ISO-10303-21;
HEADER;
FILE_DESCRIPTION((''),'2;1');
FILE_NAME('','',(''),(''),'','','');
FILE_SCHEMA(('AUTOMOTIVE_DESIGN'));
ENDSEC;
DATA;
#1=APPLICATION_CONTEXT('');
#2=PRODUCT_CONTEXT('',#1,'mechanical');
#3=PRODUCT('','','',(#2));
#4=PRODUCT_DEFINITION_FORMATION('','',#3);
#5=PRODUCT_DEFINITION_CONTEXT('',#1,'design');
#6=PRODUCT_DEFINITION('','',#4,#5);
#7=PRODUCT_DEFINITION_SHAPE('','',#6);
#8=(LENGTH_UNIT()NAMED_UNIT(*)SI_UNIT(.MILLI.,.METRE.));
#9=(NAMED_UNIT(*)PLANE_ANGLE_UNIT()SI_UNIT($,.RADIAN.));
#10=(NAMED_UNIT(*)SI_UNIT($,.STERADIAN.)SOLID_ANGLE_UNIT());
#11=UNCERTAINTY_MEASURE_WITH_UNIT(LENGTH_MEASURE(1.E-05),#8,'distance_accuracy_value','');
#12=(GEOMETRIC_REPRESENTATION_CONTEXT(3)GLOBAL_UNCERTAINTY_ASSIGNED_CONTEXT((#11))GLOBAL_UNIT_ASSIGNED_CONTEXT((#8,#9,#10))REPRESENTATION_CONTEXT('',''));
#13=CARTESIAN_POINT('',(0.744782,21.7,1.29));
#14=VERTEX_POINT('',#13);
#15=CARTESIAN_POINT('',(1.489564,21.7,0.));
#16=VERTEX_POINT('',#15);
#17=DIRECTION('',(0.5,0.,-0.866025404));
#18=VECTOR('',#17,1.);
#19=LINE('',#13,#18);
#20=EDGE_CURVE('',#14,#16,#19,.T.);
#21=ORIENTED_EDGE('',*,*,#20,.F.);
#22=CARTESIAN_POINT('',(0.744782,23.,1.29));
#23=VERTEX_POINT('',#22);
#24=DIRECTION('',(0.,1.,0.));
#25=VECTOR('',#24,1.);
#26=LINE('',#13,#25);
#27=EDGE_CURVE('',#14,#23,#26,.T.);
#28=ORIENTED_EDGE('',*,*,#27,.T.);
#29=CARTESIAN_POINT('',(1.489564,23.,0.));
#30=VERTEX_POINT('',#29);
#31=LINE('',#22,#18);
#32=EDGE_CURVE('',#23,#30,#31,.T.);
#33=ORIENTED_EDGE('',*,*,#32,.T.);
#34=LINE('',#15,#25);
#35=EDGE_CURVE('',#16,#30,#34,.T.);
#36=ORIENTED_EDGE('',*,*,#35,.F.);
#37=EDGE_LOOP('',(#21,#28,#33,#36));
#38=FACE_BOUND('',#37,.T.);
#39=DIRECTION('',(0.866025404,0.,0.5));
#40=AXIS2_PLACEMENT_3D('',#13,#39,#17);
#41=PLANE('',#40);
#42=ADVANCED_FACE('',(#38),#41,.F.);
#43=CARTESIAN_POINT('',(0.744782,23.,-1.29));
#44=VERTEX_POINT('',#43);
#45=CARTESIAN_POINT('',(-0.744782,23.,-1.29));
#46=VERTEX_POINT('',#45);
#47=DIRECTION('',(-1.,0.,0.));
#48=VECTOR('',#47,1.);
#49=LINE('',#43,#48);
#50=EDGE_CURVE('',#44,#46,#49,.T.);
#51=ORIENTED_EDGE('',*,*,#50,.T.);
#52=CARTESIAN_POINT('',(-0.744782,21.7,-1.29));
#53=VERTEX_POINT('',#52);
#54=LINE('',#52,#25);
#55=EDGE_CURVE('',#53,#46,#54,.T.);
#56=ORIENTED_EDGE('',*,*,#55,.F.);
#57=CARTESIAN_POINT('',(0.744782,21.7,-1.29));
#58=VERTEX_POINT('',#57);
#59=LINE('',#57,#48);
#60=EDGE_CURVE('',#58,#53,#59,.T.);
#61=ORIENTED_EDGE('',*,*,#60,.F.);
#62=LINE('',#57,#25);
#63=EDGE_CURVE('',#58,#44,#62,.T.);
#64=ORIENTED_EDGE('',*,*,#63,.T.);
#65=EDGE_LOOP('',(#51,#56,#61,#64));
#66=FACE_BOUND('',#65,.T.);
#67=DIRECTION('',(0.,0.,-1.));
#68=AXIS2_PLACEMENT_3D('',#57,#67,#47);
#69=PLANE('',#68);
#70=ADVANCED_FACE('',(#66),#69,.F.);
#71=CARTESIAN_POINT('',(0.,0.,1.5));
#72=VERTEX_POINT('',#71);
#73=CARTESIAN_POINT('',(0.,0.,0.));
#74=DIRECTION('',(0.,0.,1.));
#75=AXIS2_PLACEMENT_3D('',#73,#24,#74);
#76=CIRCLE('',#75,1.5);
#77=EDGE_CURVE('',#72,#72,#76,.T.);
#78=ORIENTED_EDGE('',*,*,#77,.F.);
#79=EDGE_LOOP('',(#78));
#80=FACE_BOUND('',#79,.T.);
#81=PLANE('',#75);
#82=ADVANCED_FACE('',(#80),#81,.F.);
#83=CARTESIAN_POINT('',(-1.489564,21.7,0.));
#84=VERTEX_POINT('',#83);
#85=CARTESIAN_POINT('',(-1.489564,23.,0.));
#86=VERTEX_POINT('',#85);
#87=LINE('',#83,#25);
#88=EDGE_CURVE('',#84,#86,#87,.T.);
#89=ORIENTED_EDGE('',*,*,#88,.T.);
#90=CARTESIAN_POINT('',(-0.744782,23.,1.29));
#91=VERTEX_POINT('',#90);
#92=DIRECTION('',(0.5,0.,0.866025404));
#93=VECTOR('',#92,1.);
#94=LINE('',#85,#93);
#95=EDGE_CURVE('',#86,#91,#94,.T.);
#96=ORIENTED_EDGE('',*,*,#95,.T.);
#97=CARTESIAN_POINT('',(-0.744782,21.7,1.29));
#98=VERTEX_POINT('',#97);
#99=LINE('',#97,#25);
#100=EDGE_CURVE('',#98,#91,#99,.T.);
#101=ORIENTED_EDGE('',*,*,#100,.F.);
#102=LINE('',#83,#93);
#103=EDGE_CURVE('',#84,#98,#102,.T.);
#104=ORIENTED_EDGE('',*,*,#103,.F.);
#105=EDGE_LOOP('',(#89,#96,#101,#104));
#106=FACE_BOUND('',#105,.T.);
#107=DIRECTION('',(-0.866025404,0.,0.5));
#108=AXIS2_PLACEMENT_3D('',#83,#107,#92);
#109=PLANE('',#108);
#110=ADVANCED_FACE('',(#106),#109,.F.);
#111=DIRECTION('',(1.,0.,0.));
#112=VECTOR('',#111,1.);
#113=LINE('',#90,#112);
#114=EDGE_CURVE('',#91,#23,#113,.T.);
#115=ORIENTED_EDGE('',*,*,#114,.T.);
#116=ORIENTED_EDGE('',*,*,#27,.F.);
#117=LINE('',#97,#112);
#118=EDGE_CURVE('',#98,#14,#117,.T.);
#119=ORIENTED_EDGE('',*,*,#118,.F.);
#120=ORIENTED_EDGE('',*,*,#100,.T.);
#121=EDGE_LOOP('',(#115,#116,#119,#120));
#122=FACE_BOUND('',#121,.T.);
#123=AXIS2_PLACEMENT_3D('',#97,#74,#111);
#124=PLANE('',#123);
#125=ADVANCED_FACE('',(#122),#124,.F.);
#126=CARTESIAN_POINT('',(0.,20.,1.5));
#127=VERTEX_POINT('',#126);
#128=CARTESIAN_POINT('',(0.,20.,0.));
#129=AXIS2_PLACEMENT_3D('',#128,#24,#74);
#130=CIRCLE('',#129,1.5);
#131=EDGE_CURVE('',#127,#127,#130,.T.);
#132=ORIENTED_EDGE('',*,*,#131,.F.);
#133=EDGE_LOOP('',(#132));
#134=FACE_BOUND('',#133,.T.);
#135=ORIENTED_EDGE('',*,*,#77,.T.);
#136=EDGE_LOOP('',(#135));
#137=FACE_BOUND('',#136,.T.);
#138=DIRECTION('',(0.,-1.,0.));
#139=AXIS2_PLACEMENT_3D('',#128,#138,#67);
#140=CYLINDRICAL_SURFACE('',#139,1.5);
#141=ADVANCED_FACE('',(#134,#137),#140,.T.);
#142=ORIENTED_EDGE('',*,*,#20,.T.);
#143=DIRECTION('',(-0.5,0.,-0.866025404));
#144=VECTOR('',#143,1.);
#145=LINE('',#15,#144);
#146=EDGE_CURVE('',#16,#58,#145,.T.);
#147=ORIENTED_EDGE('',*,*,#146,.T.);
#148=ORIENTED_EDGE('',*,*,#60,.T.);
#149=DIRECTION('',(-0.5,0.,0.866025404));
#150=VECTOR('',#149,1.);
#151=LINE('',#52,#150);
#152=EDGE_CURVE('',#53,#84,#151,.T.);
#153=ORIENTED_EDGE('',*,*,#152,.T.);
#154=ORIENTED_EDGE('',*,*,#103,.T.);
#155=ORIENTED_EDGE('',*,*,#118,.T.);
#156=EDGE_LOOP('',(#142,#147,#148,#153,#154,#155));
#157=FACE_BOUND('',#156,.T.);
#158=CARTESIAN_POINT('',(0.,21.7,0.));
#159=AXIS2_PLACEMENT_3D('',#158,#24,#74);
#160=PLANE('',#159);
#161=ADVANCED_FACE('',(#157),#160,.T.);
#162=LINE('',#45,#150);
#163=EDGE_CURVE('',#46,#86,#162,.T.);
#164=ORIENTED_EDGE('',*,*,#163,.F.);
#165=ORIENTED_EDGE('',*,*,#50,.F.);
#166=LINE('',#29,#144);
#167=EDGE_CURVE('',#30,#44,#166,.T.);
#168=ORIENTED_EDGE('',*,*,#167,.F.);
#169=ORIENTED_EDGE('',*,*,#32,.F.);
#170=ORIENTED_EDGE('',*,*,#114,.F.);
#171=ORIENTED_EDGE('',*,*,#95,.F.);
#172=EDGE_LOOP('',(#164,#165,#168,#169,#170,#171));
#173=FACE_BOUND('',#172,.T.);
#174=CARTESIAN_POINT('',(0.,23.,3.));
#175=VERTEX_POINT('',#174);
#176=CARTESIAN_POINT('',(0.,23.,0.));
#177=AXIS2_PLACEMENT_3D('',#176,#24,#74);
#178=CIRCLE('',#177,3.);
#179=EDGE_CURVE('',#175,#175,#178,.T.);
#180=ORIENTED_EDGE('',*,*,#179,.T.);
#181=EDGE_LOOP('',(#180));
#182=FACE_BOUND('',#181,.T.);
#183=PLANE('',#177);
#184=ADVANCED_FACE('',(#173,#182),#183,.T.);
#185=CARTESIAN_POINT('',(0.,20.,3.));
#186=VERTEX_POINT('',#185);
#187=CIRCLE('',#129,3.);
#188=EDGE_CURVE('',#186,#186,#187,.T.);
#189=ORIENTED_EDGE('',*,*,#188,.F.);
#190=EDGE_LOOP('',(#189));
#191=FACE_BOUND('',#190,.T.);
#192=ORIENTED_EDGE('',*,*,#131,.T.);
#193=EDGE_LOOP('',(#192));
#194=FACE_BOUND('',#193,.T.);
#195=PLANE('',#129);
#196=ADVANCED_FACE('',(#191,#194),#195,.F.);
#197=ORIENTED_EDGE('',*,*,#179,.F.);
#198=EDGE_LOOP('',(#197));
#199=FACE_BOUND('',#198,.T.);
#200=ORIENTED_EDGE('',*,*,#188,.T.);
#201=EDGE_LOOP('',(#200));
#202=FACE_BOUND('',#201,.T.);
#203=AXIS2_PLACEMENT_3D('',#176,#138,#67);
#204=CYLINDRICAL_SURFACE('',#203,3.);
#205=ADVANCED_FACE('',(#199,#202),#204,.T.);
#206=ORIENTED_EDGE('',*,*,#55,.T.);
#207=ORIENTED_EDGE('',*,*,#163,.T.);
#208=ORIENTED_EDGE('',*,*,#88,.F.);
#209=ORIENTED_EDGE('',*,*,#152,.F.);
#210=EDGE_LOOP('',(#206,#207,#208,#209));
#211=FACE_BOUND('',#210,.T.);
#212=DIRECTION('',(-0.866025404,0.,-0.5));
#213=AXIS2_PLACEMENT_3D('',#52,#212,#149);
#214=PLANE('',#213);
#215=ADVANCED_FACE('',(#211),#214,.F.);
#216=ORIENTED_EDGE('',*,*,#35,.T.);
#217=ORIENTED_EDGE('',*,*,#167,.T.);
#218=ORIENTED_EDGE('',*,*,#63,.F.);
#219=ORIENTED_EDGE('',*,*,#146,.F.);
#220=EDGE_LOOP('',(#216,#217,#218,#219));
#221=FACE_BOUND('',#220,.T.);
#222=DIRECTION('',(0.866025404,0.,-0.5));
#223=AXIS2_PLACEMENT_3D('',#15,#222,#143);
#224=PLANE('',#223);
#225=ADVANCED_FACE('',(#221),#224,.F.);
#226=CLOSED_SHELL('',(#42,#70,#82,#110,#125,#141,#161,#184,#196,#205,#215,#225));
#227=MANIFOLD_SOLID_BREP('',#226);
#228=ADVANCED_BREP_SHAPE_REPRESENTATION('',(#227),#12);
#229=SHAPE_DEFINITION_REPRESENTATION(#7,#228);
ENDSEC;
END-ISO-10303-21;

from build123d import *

# Parameters (mm, degrees)
SKETCH1_R           = 1.5
SCREWSHAFT_DEPTH    = 20
SKETCH2_R           = 3
BOSS_EXTRUDE2_DEPTH = 3
CUT_EXTRUDE1_DEPTH  = 1.3


with BuildPart() as part:
    # Sketch1 → ScrewShaft (new body)
    with BuildSketch(Plane(origin=(0, 0, 0), x_dir=(1, 0, 0), z_dir=(0, 1, 0))):
        with Locations(Location((0, 0, 0), (0, 0, 270))):
            Circle(SKETCH1_R)
    extrude(amount=SCREWSHAFT_DEPTH)

    # Sketch2 → Boss-Extrude2 (add)
    with BuildSketch(Plane(origin=(0, 20, 0), x_dir=(1, 0, 0), z_dir=(0, 1, 0))):
        with Locations(Location((0, 0, 0), (0, 0, 270))):
            Circle(SKETCH2_R)
    extrude(amount=BOSS_EXTRUDE2_DEPTH)

    # Sketch3 → Cut-Extrude1 (cut)
    with BuildSketch(Plane(origin=(0, 23, 0), x_dir=(1, 0, 0), z_dir=(0, 1, 0))):
        Polygon((1.489563695, 0), (0.744781847, 1.29), (-0.744781847, 1.29), (-1.489563695, 0), (-0.744781847, -1.29), (0.744781847, -1.29), align=None)
    extrude(amount=-CUT_EXTRUDE1_DEPTH, mode=Mode.SUBTRACT)


solid = part.part
